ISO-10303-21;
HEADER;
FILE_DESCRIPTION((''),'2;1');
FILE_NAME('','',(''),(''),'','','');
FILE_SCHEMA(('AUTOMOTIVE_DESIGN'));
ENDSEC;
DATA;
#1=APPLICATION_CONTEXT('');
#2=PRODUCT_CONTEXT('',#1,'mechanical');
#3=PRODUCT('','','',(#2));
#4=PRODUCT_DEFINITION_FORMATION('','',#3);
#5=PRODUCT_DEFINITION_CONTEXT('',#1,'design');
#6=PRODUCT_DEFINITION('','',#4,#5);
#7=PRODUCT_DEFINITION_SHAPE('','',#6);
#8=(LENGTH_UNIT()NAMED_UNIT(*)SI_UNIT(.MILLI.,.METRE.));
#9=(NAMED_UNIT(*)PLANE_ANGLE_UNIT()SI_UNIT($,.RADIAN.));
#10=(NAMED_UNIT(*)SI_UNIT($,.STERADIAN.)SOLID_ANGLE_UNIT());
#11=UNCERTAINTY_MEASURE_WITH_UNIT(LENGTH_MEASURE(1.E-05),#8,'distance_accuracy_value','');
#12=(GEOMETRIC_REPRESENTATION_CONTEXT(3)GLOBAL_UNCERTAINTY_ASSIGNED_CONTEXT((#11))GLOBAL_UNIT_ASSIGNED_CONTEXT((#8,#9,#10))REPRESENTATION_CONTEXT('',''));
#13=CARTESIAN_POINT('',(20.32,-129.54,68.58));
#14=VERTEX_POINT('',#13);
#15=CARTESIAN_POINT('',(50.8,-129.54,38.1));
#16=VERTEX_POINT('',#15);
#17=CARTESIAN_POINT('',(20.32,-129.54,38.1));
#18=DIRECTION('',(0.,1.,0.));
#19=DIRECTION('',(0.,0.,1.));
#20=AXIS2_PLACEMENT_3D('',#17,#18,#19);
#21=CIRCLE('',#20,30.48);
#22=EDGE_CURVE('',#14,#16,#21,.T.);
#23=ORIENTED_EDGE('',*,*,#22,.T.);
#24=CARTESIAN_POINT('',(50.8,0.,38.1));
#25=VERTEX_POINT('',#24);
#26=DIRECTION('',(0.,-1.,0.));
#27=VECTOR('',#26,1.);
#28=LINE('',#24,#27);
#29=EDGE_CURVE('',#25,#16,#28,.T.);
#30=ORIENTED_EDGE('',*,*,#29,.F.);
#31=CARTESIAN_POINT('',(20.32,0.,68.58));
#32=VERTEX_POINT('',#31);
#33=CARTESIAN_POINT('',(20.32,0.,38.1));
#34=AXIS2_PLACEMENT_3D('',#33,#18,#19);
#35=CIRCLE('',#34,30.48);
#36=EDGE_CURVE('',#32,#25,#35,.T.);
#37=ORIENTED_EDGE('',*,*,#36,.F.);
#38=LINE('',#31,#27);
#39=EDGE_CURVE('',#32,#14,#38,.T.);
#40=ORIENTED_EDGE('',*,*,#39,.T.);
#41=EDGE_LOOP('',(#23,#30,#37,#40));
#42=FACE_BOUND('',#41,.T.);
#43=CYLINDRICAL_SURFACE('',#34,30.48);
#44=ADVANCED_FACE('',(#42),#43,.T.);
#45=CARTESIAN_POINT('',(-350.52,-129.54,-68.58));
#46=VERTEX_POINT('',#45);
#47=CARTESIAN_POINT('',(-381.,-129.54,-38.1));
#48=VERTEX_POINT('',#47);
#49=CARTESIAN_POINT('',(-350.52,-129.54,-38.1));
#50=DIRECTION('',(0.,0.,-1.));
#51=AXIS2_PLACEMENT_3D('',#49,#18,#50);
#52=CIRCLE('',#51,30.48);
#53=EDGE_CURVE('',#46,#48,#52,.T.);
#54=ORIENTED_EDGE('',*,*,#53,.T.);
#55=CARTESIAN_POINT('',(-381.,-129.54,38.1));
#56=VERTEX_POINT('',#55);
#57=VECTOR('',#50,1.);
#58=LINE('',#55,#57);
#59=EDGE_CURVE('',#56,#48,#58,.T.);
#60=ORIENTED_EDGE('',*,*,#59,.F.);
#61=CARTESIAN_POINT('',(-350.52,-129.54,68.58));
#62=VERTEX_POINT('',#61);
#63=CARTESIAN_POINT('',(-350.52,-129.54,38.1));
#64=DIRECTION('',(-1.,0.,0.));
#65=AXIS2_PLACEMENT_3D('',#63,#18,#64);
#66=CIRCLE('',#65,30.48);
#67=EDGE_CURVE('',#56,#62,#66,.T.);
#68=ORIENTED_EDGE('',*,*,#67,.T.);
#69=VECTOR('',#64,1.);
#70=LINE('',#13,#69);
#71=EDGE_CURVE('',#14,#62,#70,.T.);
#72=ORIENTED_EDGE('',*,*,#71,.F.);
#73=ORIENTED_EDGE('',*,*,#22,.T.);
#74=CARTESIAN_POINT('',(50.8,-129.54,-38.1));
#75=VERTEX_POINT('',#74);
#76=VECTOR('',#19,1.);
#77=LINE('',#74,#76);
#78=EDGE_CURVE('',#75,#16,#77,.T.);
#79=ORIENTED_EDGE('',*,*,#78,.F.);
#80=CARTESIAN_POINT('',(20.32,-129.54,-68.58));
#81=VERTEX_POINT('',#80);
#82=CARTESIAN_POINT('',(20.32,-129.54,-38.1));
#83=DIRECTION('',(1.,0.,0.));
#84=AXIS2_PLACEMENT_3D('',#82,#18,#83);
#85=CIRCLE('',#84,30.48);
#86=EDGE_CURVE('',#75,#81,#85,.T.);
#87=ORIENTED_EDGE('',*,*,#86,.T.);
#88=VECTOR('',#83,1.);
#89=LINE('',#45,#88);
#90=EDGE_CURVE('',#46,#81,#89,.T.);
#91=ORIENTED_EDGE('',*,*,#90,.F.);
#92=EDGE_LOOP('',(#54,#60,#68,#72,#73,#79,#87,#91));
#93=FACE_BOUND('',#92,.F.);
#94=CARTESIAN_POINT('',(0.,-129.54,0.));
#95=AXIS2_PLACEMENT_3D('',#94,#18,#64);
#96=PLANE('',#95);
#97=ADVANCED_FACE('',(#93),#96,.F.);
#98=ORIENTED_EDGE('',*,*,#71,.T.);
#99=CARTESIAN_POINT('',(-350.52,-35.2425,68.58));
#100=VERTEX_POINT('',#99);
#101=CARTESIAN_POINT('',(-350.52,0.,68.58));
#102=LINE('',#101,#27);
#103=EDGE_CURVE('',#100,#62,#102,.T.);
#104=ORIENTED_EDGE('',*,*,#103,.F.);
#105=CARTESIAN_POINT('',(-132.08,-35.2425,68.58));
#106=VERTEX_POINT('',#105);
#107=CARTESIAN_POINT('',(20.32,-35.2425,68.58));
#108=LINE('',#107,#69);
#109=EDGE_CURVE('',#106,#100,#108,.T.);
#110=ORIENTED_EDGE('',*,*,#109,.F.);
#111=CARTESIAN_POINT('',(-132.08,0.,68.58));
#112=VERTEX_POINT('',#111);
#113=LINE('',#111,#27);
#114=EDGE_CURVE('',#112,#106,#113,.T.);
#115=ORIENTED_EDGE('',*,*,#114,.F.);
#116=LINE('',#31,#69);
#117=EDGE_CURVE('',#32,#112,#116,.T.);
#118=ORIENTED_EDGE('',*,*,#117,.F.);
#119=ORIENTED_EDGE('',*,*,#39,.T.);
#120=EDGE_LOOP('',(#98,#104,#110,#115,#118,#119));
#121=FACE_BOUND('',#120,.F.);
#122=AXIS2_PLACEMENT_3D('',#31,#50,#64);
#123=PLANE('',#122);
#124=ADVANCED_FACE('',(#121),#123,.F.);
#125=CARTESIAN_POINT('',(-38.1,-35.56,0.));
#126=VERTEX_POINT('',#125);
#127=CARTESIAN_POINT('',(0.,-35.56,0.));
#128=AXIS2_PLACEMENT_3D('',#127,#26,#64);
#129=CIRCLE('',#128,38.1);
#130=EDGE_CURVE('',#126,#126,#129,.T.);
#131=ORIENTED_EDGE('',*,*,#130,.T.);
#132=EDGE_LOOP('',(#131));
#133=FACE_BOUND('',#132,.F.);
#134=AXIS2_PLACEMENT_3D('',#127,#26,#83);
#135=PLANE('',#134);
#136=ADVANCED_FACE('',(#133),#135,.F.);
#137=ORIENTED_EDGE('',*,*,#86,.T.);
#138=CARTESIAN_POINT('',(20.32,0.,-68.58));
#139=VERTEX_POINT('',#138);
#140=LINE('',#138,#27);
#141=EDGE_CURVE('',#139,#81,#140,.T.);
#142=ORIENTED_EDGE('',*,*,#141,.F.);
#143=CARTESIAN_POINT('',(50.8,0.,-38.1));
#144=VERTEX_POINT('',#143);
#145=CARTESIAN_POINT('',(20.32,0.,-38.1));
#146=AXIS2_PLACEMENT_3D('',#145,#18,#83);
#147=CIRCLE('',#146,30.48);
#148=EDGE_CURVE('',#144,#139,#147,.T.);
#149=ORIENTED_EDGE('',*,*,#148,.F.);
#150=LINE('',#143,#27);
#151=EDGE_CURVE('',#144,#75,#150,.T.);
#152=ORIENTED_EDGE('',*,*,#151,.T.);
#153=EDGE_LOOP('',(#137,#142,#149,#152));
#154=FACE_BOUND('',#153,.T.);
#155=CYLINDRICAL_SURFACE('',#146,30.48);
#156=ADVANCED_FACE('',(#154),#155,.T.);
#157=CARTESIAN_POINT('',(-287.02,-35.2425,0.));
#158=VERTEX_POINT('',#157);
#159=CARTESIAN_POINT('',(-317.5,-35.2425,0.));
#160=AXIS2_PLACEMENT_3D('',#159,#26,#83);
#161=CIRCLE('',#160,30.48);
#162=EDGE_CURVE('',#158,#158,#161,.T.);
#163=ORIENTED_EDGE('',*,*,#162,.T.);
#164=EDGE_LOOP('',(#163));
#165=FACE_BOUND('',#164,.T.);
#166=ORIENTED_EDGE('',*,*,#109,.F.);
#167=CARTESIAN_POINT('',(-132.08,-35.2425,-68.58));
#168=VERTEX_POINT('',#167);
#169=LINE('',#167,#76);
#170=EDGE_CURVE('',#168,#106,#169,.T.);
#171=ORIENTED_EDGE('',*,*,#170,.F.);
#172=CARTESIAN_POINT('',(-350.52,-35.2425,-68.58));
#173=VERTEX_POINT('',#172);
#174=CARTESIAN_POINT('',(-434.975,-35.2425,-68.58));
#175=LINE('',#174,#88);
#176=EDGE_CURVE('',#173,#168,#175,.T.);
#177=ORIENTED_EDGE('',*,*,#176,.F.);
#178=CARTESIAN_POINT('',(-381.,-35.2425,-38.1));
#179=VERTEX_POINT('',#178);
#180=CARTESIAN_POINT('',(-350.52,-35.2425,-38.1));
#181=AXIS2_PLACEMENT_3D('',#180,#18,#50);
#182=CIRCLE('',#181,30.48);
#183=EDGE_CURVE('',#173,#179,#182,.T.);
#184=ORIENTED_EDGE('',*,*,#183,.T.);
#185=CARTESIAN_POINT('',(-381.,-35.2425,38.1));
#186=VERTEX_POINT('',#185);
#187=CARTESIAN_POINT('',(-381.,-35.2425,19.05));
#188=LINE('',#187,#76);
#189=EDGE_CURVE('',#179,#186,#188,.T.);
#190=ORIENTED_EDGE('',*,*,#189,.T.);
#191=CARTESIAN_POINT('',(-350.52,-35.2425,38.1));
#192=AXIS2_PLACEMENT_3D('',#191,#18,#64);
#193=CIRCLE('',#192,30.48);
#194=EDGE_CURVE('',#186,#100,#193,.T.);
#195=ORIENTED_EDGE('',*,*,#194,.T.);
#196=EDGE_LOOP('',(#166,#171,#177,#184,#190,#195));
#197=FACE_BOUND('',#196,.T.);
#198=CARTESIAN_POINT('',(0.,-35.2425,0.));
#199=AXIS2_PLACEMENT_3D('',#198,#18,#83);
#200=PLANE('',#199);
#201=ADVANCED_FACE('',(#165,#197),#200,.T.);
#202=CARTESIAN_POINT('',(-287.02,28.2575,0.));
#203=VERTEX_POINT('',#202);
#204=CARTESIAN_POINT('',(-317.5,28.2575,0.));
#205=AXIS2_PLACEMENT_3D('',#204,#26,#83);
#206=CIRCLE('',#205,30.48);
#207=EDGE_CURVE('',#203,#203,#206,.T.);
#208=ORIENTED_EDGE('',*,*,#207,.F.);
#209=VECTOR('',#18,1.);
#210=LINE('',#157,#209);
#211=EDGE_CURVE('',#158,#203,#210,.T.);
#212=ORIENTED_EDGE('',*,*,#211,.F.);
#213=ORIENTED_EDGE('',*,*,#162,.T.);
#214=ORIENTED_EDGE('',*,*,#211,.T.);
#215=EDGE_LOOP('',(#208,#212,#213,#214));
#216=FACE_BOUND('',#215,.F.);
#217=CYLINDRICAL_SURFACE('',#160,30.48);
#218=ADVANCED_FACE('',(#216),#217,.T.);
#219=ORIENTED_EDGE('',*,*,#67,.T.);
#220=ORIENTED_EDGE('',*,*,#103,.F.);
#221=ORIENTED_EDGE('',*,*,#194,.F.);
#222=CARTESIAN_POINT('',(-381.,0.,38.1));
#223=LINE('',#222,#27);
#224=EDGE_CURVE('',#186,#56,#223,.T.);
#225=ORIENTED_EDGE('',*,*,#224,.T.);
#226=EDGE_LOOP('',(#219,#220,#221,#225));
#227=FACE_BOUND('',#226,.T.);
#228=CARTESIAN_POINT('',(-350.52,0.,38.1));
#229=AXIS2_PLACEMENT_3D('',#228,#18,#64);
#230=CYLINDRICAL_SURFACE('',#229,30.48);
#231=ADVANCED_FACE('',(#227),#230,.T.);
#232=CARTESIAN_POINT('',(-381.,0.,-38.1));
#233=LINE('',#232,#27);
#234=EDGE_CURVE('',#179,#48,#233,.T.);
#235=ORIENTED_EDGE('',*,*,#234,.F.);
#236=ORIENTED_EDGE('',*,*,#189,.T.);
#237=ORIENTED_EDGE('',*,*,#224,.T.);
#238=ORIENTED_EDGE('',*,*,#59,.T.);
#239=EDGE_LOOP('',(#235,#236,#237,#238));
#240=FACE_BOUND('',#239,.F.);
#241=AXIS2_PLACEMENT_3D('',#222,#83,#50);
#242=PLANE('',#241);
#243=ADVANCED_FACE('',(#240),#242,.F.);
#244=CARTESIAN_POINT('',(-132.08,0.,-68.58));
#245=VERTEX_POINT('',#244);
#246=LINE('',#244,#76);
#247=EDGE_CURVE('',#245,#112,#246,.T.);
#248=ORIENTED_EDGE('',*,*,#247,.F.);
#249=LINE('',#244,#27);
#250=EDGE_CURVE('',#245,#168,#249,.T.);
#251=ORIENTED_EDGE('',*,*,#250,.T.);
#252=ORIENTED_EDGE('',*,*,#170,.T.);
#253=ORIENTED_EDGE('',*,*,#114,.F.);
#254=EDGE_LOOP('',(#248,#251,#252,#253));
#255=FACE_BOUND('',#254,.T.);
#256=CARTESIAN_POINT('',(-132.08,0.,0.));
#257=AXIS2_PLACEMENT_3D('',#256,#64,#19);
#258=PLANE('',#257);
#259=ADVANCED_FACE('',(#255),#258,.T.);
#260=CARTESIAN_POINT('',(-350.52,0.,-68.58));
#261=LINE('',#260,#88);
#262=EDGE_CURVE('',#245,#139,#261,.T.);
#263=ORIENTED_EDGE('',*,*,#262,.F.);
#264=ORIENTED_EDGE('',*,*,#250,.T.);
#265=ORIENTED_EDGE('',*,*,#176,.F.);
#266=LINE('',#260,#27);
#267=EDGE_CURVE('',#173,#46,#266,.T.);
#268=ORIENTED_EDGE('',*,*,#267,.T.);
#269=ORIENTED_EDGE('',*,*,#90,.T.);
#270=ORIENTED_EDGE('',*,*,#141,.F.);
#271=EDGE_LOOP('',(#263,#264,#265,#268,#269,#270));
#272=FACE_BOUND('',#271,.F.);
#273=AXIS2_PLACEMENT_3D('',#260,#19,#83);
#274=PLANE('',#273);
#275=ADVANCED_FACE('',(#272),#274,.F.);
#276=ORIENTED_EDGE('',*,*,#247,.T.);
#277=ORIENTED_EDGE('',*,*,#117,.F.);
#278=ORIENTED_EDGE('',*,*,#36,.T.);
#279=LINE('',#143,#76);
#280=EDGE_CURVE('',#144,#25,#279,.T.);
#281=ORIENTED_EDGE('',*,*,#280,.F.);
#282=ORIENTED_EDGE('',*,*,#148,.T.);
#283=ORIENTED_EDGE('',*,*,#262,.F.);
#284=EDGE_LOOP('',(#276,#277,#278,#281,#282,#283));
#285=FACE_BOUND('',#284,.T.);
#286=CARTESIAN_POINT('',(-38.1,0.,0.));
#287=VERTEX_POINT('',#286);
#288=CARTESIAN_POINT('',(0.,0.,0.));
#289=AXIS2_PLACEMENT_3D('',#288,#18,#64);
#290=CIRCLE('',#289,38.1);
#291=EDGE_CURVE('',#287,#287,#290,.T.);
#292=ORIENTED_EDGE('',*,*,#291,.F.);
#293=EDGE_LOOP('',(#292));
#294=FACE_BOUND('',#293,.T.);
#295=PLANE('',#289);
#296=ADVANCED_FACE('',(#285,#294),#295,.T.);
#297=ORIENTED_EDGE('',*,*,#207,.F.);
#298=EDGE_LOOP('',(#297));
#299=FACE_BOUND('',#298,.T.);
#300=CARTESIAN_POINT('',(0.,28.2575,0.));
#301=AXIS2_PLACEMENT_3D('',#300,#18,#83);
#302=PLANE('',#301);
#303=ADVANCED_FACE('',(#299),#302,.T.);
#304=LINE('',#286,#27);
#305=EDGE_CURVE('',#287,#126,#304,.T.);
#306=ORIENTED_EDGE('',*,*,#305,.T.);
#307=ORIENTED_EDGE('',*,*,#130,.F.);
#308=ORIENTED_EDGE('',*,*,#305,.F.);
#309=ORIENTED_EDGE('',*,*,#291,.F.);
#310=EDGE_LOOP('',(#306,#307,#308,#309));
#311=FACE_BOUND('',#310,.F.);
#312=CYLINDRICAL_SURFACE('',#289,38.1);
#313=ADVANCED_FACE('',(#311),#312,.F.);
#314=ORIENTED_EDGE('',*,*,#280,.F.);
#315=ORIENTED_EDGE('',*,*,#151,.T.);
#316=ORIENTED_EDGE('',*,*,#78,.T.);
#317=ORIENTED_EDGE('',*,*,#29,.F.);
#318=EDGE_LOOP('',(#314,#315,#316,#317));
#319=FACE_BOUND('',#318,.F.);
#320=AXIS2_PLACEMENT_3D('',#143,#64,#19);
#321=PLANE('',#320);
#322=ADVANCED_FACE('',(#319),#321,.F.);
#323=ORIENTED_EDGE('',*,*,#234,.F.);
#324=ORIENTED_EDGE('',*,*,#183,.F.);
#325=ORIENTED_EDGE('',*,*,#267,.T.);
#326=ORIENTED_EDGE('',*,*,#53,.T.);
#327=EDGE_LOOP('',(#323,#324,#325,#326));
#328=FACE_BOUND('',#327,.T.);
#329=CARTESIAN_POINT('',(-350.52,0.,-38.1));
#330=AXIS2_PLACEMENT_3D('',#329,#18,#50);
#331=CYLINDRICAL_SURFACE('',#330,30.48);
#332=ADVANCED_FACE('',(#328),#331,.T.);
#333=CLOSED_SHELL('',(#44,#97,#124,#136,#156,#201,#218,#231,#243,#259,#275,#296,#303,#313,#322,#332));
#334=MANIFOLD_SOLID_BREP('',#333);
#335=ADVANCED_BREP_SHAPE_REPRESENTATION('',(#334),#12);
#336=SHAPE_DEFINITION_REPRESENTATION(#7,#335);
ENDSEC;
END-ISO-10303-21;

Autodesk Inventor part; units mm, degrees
ref_plane "YZ Plane" through (0, 0, 0) normal (1, 0, 0) x (0, 1, 0)
ref_plane "XZ Plane" through (0, 0, 0) normal (0, 1, 0) x (-1, 0, 0)
ref_plane "XY Plane" through (0, 0, 0) normal (0, 0, 1) x (1, 0, 0)
sketch "Sketch1" plane through (0, 0, 0) normal (0, 1, 0) x (-1, 0, 0)
  circle A0 centre (0, 0) radius 38.1
  line L0 (-20.32, 68.58) -> (350.52, 68.58)
  line L1 (381, 38.1) -> (381, -38.1)
  line L2 (350.52, -68.58) -> (-20.32, -68.58)
  line L3 (-50.8, -38.1) -> (-50.8, 38.1)
  arc A1 (-20.32, 68.58) -> (-50.8, 38.1) centre (-20.32, 38.1) ccw
  arc A2 (-50.8, -38.1) -> (-20.32, -68.58) centre (-20.32, -38.1) ccw
  arc A3 (381, 38.1) -> (350.52, 68.58) centre (350.52, 38.1) ccw
  arc A4 (350.52, -68.58) -> (381, -38.1) centre (350.52, -38.1) ccw
  point P0 (-50.8, 68.58)
  point P1 (381, -68.58)
  point P2 (-50.8, -68.58)
  dimension "d0" = 76.2
  dimension "d1" = 137.16
  dimension "d2" = 431.8
  dimension "d3" = 50.8
  dimension "d4" = 68.58
  dimension "d5" = 30.48
extrude "Extrusion1" add sketch "Sketch1" against normal blind 129.54
sketch "Sketch2" plane through (0, -129.54, 0) normal (0, -1, 0) x (1, 0, 0)
  circle A0 centre (0, 0) radius 38.1
  dimension "d17" = 76.2
extrude "Extrusion2" add sketch "Sketch2" against normal blind 93.98
sketch "Sketch3" plane through (0, 0, 0) normal (0, 1, 0) x (1, 0, 0)
  line L0 (50.8, 38.1) -> (50.8, -38.1) projected
  line L1 (50.8, 0) -> (-132.08, 0)
  line L2 (20.32, -68.58) -> (-350.52, -68.58) projected
  line L3 (-132.08, -68.58) -> (-434.975, -68.58)
  line L4 (-434.975, -68.58) -> (-434.975, 68.58)
  line L5 (-434.975, 68.58) -> (-132.08, 68.58)
  line L6 (-132.08, 68.58) -> (-132.08, -68.58)
  point P0 (0, 0)
  dimension "d10" = 182.88
extrude "Extrusion3" cut sketch "Sketch3" against normal blind 35.2425
sketch "Sketch4" plane through (0, -35.2425, 0) normal (0, 1, 0) x (1, 0, 0)
  line L0 (-381, -38.1) -> (-381, 38.1) projected
  line L1 (-381, 0) -> (-328.6125, 0)
  line L2 (-381, 0) -> (-317.5, 0)
  circle A0 centre (-317.5, 0) radius 30.48
  point P0 (0, 0)
  dimension "d14" = 60.96
  dimension "d18" = 317.5
extrude "Extrusion4" add sketch "Sketch4" along normal blind 63.5
equation "\"d4\" = 0.5 * d1"
properties part number "Shoulder2 Link-lrg"
